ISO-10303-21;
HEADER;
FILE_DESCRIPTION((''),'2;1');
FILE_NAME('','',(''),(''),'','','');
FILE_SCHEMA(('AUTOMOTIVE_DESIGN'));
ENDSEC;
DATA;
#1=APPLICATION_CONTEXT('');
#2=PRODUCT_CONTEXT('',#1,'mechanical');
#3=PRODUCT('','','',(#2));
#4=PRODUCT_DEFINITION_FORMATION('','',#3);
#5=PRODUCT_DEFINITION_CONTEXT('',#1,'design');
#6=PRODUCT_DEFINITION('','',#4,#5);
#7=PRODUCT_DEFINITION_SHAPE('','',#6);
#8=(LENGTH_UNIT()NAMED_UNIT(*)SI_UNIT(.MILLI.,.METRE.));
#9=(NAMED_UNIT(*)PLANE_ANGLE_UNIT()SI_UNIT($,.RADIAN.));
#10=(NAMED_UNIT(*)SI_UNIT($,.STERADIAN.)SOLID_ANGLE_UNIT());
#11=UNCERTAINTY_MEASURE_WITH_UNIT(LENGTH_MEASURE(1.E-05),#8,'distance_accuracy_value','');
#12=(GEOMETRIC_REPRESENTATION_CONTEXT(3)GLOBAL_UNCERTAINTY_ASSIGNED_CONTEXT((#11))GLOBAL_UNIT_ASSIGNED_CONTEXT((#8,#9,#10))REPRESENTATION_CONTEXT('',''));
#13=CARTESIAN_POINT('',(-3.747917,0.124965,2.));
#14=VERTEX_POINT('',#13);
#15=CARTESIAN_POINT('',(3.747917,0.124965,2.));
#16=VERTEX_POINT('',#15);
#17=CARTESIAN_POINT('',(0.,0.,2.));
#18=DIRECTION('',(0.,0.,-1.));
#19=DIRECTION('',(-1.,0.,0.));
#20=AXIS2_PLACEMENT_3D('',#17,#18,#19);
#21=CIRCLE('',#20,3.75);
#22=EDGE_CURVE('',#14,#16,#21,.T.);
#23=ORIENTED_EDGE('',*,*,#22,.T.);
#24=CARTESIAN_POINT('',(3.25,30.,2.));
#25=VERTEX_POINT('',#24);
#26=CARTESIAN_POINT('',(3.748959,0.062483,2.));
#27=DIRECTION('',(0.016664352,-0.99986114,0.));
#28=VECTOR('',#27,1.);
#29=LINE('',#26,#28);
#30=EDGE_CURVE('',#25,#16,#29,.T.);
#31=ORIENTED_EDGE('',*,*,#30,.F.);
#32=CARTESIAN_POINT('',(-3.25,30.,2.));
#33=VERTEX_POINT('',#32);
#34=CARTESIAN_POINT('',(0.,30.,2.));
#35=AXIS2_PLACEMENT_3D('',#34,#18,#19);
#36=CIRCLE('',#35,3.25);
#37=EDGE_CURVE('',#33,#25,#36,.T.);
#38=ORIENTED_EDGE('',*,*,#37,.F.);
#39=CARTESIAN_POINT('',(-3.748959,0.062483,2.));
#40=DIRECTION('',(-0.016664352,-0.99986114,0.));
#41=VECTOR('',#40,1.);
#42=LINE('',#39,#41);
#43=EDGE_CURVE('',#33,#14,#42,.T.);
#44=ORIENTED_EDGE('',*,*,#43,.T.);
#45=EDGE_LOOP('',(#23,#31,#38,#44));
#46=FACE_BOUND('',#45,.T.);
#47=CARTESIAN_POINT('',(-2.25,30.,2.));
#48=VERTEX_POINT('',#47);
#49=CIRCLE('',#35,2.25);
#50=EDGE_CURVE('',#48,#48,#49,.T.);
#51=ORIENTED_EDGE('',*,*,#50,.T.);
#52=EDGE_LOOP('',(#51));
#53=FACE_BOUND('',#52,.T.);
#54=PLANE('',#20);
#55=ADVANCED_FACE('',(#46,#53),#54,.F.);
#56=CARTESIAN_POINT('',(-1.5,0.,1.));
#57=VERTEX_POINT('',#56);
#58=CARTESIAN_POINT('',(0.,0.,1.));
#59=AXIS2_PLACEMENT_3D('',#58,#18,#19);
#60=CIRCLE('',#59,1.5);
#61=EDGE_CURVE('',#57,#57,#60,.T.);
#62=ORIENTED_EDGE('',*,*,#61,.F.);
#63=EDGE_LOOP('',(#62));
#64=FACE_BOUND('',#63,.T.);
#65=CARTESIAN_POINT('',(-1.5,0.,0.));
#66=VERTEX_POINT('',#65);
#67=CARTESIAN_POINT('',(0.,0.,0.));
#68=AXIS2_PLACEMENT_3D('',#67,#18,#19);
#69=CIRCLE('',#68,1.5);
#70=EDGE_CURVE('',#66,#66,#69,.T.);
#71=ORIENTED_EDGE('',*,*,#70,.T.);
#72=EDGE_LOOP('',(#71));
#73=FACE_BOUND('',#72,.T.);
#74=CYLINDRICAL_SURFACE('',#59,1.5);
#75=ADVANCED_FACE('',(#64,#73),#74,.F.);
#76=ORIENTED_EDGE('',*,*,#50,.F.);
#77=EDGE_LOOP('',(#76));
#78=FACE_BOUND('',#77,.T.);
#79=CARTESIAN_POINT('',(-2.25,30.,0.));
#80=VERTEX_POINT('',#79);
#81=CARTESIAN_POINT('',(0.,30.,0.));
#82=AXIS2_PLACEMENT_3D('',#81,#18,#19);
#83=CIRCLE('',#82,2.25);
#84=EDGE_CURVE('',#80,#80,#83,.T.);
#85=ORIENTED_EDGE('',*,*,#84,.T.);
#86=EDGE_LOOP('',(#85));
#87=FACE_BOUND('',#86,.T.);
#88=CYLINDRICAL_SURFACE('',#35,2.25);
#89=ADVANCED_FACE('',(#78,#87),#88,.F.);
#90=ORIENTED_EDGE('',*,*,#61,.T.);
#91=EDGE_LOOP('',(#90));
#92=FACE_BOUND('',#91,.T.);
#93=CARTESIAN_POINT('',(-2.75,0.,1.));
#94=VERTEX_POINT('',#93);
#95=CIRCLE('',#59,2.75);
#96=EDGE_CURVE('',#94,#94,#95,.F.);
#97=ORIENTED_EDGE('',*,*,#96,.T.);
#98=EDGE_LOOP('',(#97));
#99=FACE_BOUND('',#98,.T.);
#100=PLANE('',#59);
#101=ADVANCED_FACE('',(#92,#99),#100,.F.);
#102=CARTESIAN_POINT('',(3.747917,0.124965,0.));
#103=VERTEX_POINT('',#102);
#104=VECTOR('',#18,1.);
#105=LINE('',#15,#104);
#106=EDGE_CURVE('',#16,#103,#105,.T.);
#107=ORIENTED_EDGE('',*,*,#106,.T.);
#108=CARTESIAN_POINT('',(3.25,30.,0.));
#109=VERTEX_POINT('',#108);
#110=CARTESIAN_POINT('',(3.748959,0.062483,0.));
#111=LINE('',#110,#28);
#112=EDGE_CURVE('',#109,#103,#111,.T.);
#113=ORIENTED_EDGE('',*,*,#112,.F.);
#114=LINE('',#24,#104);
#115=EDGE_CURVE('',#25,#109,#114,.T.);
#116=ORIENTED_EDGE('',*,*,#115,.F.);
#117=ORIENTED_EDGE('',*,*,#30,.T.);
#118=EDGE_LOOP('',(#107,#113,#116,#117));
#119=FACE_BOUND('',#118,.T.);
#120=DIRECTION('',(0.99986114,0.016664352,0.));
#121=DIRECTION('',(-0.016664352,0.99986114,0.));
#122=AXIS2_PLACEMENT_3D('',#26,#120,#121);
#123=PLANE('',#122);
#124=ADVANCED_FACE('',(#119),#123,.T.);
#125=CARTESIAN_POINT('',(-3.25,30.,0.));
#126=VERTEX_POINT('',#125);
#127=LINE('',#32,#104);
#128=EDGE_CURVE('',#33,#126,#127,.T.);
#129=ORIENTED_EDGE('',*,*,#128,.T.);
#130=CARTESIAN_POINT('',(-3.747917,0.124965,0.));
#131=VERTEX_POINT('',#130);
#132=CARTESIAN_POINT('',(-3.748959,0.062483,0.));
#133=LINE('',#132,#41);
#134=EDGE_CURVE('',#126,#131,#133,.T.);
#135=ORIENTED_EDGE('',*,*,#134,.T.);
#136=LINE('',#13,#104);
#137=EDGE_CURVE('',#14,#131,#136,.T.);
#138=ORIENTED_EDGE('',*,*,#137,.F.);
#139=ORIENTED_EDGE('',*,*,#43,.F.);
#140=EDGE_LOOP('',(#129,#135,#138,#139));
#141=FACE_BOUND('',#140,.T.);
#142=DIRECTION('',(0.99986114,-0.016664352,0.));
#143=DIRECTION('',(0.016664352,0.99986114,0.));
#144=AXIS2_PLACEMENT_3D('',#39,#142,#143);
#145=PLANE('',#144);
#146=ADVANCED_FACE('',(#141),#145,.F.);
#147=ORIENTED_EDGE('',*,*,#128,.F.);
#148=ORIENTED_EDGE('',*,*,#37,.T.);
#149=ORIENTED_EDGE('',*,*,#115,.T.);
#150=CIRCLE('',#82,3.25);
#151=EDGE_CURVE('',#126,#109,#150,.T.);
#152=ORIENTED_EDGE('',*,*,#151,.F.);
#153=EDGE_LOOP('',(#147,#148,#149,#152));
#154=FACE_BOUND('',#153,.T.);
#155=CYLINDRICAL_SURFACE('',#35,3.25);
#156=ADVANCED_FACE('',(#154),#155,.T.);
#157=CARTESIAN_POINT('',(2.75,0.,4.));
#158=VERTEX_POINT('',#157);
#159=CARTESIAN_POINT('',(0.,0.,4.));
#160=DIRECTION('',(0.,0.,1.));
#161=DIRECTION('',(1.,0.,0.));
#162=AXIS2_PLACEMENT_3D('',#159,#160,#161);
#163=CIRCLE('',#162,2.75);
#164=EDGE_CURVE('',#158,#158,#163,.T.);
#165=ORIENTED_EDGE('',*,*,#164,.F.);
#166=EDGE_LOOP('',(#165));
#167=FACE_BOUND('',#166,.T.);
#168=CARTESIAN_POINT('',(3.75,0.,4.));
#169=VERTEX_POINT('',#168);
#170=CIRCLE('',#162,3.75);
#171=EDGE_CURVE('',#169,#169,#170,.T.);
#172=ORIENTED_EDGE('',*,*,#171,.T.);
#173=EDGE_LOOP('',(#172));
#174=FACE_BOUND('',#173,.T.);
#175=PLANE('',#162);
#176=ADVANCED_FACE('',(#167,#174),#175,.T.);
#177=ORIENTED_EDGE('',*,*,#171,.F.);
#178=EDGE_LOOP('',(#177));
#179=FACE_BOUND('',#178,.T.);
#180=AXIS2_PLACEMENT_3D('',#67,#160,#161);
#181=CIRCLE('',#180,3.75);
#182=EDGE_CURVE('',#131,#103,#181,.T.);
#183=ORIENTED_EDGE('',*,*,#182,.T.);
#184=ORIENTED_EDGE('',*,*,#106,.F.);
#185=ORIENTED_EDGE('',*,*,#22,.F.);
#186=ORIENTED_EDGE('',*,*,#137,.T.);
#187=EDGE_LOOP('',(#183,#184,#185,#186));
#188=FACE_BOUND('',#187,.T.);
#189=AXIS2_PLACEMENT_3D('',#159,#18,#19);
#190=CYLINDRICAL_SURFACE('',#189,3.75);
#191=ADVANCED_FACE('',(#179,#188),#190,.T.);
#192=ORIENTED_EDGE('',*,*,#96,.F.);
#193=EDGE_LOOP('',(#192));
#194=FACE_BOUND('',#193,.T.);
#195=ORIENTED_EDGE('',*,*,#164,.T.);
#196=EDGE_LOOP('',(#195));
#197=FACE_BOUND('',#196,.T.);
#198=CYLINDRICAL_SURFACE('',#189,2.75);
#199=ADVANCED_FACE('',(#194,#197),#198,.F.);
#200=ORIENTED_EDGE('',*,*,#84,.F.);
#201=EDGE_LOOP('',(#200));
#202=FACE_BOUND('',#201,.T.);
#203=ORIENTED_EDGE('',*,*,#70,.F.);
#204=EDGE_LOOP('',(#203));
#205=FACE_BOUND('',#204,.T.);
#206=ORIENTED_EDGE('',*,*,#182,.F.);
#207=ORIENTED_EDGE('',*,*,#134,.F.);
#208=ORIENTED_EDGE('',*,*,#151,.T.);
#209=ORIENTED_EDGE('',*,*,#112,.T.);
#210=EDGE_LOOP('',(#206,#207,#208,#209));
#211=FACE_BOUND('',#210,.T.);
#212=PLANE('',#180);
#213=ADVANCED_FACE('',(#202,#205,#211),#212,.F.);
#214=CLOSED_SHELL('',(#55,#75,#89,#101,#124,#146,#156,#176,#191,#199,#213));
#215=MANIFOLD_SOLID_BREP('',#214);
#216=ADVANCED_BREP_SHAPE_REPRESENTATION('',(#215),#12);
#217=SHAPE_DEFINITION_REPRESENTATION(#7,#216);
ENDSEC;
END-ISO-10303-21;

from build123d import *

# Parameters (mm, degrees)
ESQUISSE1_R         = 3.75
ESQUISSE1_R_2       = 2.75
BOSS_EXTRU_1_DEPTH  = 4
SKETCH1_R           = 2.25
BOSS_EXTRUDE1_DEPTH = 2
SKETCH1_3_R         = 2.75
SKETCH1_3_R_2       = 1.5
BOSS_EXTRUDE2_DEPTH = 1


with BuildPart() as part:
    # Esquisse1 → Boss.-Extru.1 (new body)
    with BuildSketch(Plane.XY):
        Circle(ESQUISSE1_R)
        Circle(ESQUISSE1_R_2, mode=Mode.SUBTRACT)
    extrude(amount=BOSS_EXTRU_1_DEPTH)

    # Sketch1 → Boss-Extrude1 (add)
    with BuildSketch(Plane(origin=(0, 0, 0), x_dir=(-1, 0, 0), z_dir=(0, 0, -1))):
        with BuildLine():
            Line((3.747917245, 0.124965287), (3.25, 30))
            ThreePointArc((3.25, 30), (0, 33.25), (-3.25, 30))
            Line((-3.25, 30), (-3.747917245, 0.124965287))
            ThreePointArc((-3.747917245, 0.124965287), (0, 3.75), (3.747917245, 0.124965287))
        make_face()
        with Locations((0, 30)):
            Circle(SKETCH1_R, mode=Mode.SUBTRACT)
    extrude(amount=-BOSS_EXTRUDE1_DEPTH)

    # Sketch1<3> → Boss-Extrude2 (add)
    with BuildSketch(Plane(origin=(0, 0, 0), x_dir=(-1, 0, 0), z_dir=(0, 0, -1))):
        Circle(SKETCH1_3_R)
        Circle(SKETCH1_3_R_2, mode=Mode.SUBTRACT)
    extrude(amount=-BOSS_EXTRUDE2_DEPTH)


solid = part.part
